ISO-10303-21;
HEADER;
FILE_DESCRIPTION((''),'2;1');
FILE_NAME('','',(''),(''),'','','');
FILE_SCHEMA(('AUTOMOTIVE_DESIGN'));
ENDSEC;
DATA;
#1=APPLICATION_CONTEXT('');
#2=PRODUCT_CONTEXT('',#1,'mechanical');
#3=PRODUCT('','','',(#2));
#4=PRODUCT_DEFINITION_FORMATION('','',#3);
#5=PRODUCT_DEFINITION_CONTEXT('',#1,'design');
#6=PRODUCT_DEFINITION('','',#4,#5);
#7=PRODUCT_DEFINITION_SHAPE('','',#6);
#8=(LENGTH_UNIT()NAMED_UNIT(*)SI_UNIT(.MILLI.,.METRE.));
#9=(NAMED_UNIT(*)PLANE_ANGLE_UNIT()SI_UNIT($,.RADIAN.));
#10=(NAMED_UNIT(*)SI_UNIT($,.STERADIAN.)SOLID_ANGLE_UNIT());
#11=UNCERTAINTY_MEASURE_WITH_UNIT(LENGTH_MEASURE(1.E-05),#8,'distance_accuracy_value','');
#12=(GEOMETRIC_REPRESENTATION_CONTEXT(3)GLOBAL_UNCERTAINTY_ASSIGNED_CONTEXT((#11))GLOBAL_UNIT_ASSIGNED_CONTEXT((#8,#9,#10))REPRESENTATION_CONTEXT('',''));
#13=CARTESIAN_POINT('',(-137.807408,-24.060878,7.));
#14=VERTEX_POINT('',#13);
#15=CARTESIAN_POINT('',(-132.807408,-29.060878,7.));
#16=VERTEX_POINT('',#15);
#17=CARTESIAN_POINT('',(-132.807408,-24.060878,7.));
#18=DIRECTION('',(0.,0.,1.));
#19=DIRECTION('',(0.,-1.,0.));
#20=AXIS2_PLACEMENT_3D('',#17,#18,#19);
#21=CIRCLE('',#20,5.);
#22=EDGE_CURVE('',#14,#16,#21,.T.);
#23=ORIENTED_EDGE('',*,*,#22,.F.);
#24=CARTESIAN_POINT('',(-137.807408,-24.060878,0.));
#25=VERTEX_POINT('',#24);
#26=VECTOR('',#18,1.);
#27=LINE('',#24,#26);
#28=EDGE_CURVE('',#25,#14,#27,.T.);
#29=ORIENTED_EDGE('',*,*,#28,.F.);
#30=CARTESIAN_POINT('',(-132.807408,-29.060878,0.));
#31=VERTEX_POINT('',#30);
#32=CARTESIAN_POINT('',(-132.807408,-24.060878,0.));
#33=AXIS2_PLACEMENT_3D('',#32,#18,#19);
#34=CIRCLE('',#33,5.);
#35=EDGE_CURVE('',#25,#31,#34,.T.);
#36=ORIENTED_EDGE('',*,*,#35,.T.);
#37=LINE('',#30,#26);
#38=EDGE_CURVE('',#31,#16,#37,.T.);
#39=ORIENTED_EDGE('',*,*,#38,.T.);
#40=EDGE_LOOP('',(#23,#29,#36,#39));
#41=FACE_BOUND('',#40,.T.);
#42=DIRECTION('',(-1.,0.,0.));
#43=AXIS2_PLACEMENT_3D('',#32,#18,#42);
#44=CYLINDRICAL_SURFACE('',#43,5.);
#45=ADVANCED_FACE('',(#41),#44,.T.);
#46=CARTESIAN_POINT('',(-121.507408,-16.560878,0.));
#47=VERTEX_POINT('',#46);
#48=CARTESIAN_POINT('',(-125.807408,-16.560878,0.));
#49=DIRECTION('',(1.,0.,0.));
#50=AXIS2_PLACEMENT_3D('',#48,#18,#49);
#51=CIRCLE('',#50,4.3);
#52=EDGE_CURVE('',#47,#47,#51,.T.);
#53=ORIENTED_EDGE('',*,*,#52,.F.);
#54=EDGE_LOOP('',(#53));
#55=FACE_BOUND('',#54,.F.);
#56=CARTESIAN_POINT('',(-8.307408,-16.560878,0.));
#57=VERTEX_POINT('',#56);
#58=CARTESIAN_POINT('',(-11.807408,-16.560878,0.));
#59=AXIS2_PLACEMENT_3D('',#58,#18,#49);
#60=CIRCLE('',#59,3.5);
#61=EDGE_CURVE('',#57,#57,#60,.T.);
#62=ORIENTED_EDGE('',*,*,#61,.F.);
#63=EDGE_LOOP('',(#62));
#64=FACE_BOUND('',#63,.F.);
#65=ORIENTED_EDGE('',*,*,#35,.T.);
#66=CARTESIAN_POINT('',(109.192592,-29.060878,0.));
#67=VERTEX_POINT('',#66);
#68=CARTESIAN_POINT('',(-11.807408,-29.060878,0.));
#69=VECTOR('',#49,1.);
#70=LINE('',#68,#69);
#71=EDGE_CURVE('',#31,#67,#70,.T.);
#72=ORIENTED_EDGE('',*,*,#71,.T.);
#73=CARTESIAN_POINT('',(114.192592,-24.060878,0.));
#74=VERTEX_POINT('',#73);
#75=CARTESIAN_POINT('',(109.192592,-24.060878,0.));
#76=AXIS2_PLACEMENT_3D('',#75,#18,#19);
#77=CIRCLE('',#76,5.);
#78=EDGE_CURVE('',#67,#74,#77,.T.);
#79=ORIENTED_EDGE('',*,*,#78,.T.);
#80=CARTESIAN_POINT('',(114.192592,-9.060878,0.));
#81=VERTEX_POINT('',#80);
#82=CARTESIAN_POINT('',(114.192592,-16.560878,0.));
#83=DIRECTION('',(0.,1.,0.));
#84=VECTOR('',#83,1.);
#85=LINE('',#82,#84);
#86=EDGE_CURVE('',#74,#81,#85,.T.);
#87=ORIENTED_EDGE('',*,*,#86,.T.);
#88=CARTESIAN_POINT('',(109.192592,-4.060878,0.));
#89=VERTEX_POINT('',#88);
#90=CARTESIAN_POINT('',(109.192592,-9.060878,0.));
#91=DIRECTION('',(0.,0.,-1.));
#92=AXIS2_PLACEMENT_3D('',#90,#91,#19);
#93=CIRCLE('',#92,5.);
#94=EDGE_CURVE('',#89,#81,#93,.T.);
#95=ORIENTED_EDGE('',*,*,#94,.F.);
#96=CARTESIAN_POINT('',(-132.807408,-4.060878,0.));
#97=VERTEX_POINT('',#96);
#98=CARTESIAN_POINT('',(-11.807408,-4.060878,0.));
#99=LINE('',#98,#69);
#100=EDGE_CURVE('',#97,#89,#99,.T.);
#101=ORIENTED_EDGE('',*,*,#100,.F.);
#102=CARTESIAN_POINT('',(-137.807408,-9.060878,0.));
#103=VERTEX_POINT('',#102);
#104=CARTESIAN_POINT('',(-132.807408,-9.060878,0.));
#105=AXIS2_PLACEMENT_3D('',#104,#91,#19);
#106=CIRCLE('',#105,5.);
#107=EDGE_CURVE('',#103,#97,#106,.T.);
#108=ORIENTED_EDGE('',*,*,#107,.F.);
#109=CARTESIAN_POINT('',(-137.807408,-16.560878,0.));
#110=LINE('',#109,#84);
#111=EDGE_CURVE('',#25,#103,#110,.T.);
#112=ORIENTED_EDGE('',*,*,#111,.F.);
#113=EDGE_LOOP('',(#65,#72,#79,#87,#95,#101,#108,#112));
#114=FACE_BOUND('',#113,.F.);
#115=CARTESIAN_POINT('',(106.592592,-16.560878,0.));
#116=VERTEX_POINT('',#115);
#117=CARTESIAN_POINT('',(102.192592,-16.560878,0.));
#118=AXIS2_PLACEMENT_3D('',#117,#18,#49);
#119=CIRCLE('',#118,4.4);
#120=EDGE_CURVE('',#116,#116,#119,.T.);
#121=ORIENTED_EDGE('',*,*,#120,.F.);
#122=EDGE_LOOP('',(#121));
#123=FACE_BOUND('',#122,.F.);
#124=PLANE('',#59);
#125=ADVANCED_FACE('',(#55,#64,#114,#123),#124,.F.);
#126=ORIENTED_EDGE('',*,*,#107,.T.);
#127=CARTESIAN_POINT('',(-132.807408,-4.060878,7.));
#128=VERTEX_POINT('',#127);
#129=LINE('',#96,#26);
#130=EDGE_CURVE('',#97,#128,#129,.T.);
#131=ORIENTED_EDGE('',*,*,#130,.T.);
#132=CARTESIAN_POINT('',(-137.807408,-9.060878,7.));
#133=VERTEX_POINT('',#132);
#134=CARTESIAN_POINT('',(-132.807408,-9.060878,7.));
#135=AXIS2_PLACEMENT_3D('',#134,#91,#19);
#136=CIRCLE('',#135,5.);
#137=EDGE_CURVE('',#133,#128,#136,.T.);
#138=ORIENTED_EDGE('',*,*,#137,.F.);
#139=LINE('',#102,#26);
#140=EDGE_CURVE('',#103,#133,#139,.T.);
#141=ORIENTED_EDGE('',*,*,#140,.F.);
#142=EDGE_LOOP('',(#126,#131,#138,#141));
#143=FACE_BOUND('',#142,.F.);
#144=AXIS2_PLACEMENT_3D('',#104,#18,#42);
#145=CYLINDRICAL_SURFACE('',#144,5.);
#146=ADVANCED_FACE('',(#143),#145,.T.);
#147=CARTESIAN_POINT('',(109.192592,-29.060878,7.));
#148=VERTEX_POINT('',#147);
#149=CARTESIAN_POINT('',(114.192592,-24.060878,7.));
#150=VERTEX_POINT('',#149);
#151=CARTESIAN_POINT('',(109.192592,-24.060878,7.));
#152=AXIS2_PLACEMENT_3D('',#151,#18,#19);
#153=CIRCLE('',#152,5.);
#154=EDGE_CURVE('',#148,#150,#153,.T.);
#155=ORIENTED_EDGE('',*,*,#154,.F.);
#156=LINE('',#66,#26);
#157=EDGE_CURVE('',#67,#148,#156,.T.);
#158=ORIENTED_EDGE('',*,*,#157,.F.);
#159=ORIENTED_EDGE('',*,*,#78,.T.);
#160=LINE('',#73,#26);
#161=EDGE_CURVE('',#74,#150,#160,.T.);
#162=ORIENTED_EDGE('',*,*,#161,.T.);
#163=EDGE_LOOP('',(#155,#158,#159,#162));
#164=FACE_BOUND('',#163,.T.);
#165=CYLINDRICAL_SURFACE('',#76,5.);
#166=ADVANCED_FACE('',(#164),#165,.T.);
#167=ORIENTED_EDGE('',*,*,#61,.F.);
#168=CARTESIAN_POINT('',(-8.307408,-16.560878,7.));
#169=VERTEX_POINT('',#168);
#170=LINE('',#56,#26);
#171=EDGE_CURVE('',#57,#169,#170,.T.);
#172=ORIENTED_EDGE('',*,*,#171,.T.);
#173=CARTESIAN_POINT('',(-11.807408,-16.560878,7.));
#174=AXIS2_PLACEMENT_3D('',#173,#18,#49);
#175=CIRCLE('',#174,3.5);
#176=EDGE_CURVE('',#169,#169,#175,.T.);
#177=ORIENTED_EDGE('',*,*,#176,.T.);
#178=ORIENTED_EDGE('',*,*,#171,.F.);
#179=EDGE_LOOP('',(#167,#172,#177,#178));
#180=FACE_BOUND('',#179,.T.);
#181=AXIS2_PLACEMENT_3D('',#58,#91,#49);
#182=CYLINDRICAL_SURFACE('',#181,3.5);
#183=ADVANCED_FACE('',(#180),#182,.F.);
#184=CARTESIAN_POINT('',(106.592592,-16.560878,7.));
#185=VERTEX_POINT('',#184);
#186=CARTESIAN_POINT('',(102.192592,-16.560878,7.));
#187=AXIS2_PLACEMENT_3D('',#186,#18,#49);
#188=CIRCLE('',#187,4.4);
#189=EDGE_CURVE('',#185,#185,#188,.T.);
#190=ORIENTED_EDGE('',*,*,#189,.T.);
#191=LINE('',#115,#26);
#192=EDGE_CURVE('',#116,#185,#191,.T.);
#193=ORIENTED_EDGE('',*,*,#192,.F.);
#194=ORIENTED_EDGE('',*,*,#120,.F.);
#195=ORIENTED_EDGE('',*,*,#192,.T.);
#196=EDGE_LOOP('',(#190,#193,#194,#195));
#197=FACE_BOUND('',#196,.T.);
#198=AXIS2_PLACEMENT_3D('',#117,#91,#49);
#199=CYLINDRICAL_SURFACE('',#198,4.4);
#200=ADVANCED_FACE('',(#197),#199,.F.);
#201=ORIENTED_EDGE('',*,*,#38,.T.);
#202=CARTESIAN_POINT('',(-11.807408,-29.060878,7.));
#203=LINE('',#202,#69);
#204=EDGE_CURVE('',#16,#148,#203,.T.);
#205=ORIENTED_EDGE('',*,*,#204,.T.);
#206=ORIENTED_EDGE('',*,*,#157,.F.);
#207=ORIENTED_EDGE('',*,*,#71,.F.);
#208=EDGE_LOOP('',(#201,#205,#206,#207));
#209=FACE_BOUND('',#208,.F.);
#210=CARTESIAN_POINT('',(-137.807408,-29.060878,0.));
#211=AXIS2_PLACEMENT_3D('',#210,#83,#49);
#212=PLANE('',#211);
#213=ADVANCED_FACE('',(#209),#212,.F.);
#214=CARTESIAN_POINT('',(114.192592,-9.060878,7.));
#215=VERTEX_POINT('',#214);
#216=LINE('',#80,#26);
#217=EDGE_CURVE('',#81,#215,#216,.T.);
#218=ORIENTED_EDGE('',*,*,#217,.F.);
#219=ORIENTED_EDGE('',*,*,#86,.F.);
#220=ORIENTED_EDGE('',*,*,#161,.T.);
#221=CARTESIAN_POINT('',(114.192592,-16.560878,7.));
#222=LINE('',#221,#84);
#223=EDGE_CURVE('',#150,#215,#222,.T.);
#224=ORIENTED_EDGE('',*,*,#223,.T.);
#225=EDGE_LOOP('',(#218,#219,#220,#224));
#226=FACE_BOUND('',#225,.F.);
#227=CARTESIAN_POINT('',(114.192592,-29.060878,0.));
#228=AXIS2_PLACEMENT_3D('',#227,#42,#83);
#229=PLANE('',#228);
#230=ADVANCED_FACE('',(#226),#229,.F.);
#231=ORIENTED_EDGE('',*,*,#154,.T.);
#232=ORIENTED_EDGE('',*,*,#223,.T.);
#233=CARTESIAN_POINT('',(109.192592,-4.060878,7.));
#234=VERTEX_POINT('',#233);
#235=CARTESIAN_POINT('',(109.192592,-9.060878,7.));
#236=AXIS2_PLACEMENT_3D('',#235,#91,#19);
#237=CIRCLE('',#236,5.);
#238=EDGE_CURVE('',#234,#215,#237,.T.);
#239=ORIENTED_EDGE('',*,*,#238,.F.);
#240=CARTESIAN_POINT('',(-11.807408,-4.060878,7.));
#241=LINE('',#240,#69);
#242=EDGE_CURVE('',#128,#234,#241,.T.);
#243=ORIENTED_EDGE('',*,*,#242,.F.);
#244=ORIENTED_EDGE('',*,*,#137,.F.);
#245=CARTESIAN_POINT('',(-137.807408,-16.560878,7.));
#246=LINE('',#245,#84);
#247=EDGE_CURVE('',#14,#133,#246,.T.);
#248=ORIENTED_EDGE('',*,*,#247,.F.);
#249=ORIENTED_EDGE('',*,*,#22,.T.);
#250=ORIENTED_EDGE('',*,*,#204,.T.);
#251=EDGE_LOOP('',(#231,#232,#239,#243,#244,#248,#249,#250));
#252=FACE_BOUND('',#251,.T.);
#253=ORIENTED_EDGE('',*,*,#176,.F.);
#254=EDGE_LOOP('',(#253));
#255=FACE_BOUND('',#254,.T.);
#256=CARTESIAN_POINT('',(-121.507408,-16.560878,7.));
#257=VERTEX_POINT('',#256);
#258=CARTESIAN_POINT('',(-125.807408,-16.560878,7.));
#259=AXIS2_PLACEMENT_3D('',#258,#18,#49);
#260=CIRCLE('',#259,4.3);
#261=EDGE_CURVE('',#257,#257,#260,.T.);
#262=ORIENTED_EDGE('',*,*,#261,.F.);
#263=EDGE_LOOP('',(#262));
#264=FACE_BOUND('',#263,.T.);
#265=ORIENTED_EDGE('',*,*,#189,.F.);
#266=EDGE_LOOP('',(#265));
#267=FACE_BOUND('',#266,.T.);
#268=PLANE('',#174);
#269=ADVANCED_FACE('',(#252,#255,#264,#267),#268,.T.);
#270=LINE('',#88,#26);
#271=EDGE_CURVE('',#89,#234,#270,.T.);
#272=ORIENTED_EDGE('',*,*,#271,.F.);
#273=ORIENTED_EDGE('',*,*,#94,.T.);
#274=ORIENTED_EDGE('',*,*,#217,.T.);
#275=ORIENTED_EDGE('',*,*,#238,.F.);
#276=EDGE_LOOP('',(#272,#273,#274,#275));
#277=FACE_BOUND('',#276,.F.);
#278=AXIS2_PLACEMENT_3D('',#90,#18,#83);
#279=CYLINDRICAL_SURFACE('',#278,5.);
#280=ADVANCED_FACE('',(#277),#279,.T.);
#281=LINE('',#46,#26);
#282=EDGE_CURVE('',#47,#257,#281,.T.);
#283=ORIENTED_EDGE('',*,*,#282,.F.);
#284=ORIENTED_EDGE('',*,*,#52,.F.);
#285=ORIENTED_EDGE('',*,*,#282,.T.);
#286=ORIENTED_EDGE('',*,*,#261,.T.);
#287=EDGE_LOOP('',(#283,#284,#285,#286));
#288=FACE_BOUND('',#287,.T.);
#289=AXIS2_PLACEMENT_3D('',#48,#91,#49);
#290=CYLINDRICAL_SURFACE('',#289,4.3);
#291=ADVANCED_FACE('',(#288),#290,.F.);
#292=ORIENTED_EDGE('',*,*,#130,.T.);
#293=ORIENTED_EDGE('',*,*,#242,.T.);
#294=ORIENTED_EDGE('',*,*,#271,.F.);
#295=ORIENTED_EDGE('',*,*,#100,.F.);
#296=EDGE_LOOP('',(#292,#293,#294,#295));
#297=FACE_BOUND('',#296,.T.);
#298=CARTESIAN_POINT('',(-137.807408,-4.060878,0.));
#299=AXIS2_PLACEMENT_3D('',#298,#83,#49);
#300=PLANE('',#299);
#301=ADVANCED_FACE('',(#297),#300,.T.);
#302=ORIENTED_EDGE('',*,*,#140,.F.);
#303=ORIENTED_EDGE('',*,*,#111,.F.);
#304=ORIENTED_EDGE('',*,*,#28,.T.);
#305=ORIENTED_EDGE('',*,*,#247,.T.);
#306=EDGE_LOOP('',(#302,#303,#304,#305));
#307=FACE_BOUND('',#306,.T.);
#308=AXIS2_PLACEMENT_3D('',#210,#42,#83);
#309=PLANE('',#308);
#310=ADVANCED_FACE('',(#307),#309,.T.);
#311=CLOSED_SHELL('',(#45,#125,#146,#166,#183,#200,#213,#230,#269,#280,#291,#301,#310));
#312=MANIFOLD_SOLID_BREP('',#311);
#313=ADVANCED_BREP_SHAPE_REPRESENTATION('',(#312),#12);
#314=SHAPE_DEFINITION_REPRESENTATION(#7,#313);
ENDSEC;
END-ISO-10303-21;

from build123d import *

# Parameters (mm, degrees)
F0_W     = 252
F0_H     = 25
F0_R     = 4.3
F0_R_2   = 3.5
F0_R_3   = 4.4
F1_DEPTH = 7
F2_R     = 5


with BuildPart() as f1:
    # F0 (on Top) → F1 (new body)
    with BuildSketch(Plane.XY):
        with Locations((-11.807408, -16.560878)):
            Rectangle(F0_W, F0_H)
        with Locations((-125.807408, -16.560878)):
            Circle(F0_R, mode=Mode.SUBTRACT)
        with Locations((-11.807408, -16.560878)):
            Circle(F0_R_2, mode=Mode.SUBTRACT)
        with Locations((102.192592, -16.560878)):
            Circle(F0_R_3, mode=Mode.SUBTRACT)
    extrude(amount=F1_DEPTH)

    # F2
    f2_edges = [f1.edges().sort_by_distance(p)[0] for p in [
        (114.192592, -29.060878, 3.5),
        (114.192592, -4.060878, 3.5),
        (-137.807408, -29.060878, 3.5),
        (-137.807408, -4.060878, 3.5),
    ]]
    fillet(f2_edges, radius=F2_R)


solid = f1.part
